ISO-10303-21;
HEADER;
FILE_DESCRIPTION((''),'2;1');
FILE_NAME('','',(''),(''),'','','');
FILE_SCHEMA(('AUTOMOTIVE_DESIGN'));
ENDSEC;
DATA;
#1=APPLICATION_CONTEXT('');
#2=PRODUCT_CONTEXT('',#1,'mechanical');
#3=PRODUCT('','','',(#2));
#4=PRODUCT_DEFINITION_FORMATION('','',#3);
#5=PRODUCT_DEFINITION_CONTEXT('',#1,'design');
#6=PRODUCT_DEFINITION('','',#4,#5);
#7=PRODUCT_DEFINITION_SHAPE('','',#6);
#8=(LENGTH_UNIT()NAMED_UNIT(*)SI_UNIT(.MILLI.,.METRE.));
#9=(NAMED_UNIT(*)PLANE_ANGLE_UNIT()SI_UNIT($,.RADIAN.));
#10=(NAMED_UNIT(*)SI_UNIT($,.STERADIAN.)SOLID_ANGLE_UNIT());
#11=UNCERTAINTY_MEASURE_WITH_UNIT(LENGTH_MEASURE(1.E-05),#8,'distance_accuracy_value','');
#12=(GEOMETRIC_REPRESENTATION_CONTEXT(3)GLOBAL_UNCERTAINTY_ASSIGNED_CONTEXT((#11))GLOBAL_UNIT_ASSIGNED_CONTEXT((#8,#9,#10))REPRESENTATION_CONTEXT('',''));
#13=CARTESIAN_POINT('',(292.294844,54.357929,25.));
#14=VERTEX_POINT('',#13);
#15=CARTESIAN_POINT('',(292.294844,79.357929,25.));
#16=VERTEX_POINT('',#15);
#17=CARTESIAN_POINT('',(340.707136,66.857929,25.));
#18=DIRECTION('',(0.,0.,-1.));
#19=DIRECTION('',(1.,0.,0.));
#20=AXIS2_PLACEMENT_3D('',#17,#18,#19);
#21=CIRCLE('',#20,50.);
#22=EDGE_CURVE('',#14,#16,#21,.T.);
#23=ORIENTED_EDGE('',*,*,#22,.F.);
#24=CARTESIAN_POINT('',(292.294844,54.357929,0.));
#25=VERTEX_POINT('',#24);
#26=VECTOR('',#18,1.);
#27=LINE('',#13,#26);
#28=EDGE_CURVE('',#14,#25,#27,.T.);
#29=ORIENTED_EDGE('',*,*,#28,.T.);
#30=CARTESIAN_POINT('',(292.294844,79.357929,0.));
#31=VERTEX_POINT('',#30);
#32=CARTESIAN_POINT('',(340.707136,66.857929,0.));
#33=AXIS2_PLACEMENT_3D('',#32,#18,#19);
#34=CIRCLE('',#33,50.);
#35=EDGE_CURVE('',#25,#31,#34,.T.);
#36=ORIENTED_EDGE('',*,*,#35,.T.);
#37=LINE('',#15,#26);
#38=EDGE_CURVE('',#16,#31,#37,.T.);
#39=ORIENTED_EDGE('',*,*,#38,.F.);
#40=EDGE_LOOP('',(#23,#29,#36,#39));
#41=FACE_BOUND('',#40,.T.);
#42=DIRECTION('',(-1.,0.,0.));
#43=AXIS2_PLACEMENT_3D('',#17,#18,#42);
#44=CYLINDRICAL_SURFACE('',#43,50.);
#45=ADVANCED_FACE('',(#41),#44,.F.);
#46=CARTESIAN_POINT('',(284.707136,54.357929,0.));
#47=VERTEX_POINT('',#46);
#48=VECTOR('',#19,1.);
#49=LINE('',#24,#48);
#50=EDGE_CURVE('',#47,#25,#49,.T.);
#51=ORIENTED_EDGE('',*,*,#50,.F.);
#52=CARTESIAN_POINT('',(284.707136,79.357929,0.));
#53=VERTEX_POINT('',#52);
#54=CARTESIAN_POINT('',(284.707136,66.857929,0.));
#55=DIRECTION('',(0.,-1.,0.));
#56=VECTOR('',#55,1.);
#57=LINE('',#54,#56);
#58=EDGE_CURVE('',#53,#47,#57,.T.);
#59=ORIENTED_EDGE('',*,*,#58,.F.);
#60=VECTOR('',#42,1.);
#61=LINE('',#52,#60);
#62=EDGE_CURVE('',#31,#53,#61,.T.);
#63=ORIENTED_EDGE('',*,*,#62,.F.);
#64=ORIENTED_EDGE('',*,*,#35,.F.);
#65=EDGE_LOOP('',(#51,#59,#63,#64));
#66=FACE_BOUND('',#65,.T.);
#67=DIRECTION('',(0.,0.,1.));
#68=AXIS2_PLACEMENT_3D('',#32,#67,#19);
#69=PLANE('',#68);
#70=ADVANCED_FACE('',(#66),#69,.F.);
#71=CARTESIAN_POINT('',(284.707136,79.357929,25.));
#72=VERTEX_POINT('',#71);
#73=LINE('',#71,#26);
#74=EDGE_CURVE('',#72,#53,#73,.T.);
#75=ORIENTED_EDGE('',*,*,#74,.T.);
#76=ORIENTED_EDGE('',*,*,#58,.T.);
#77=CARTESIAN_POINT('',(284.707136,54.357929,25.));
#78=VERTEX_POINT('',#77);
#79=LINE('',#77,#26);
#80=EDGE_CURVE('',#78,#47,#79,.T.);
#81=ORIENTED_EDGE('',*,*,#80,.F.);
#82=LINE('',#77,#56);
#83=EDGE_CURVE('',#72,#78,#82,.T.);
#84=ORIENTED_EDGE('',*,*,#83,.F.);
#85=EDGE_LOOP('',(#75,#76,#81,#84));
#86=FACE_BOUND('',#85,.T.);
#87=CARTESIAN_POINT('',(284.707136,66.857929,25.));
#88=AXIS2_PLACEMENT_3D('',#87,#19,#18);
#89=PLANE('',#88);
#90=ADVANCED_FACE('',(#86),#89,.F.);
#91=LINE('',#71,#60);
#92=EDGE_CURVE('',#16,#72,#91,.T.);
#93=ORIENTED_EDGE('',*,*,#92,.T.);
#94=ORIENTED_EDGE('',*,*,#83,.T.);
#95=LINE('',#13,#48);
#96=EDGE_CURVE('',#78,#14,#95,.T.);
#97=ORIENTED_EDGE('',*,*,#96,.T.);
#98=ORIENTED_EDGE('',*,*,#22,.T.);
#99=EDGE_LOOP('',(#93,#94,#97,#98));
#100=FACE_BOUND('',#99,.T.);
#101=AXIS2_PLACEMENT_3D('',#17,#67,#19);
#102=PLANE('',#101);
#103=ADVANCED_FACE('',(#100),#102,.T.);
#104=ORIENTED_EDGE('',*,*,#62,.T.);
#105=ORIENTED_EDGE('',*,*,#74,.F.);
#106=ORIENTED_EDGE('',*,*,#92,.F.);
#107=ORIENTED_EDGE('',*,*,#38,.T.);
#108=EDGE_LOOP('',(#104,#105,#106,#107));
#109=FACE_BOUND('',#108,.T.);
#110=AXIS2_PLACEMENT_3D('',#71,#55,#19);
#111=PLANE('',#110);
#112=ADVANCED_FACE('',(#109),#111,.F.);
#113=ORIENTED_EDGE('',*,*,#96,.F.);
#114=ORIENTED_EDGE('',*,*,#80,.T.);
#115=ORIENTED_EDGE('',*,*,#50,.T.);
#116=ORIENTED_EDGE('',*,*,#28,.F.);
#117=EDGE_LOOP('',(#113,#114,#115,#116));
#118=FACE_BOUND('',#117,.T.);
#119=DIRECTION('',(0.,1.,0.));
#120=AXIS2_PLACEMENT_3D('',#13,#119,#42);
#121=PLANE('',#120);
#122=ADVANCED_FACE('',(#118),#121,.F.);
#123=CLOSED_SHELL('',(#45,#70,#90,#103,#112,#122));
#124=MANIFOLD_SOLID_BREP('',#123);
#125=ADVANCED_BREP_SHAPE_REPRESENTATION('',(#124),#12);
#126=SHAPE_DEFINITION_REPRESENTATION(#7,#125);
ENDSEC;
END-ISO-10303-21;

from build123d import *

# Parameters (mm, degrees)
EXTRUDE_1_DEPTH = 25


with BuildPart() as part:
    # 草图1 → 凸台-拉伸1 (new body)
    with BuildSketch(Plane.XY):
        with BuildLine():
            Line((284.707135631, 66.857929268), (284.707135631, 79.357929268))
            Line((284.707135631, 79.357929268), (292.294843804, 79.357929268))
            ThreePointArc((292.294843804, 79.357929268), (290.707135631, 66.857929268), (292.294843804, 54.357929268))
            Line((292.294843804, 54.357929268), (284.707135631, 54.357929268))
            Line((284.707135631, 54.357929268), (284.707135631, 66.857929268))
        make_face()
    extrude(amount=EXTRUDE_1_DEPTH)


solid = part.part
